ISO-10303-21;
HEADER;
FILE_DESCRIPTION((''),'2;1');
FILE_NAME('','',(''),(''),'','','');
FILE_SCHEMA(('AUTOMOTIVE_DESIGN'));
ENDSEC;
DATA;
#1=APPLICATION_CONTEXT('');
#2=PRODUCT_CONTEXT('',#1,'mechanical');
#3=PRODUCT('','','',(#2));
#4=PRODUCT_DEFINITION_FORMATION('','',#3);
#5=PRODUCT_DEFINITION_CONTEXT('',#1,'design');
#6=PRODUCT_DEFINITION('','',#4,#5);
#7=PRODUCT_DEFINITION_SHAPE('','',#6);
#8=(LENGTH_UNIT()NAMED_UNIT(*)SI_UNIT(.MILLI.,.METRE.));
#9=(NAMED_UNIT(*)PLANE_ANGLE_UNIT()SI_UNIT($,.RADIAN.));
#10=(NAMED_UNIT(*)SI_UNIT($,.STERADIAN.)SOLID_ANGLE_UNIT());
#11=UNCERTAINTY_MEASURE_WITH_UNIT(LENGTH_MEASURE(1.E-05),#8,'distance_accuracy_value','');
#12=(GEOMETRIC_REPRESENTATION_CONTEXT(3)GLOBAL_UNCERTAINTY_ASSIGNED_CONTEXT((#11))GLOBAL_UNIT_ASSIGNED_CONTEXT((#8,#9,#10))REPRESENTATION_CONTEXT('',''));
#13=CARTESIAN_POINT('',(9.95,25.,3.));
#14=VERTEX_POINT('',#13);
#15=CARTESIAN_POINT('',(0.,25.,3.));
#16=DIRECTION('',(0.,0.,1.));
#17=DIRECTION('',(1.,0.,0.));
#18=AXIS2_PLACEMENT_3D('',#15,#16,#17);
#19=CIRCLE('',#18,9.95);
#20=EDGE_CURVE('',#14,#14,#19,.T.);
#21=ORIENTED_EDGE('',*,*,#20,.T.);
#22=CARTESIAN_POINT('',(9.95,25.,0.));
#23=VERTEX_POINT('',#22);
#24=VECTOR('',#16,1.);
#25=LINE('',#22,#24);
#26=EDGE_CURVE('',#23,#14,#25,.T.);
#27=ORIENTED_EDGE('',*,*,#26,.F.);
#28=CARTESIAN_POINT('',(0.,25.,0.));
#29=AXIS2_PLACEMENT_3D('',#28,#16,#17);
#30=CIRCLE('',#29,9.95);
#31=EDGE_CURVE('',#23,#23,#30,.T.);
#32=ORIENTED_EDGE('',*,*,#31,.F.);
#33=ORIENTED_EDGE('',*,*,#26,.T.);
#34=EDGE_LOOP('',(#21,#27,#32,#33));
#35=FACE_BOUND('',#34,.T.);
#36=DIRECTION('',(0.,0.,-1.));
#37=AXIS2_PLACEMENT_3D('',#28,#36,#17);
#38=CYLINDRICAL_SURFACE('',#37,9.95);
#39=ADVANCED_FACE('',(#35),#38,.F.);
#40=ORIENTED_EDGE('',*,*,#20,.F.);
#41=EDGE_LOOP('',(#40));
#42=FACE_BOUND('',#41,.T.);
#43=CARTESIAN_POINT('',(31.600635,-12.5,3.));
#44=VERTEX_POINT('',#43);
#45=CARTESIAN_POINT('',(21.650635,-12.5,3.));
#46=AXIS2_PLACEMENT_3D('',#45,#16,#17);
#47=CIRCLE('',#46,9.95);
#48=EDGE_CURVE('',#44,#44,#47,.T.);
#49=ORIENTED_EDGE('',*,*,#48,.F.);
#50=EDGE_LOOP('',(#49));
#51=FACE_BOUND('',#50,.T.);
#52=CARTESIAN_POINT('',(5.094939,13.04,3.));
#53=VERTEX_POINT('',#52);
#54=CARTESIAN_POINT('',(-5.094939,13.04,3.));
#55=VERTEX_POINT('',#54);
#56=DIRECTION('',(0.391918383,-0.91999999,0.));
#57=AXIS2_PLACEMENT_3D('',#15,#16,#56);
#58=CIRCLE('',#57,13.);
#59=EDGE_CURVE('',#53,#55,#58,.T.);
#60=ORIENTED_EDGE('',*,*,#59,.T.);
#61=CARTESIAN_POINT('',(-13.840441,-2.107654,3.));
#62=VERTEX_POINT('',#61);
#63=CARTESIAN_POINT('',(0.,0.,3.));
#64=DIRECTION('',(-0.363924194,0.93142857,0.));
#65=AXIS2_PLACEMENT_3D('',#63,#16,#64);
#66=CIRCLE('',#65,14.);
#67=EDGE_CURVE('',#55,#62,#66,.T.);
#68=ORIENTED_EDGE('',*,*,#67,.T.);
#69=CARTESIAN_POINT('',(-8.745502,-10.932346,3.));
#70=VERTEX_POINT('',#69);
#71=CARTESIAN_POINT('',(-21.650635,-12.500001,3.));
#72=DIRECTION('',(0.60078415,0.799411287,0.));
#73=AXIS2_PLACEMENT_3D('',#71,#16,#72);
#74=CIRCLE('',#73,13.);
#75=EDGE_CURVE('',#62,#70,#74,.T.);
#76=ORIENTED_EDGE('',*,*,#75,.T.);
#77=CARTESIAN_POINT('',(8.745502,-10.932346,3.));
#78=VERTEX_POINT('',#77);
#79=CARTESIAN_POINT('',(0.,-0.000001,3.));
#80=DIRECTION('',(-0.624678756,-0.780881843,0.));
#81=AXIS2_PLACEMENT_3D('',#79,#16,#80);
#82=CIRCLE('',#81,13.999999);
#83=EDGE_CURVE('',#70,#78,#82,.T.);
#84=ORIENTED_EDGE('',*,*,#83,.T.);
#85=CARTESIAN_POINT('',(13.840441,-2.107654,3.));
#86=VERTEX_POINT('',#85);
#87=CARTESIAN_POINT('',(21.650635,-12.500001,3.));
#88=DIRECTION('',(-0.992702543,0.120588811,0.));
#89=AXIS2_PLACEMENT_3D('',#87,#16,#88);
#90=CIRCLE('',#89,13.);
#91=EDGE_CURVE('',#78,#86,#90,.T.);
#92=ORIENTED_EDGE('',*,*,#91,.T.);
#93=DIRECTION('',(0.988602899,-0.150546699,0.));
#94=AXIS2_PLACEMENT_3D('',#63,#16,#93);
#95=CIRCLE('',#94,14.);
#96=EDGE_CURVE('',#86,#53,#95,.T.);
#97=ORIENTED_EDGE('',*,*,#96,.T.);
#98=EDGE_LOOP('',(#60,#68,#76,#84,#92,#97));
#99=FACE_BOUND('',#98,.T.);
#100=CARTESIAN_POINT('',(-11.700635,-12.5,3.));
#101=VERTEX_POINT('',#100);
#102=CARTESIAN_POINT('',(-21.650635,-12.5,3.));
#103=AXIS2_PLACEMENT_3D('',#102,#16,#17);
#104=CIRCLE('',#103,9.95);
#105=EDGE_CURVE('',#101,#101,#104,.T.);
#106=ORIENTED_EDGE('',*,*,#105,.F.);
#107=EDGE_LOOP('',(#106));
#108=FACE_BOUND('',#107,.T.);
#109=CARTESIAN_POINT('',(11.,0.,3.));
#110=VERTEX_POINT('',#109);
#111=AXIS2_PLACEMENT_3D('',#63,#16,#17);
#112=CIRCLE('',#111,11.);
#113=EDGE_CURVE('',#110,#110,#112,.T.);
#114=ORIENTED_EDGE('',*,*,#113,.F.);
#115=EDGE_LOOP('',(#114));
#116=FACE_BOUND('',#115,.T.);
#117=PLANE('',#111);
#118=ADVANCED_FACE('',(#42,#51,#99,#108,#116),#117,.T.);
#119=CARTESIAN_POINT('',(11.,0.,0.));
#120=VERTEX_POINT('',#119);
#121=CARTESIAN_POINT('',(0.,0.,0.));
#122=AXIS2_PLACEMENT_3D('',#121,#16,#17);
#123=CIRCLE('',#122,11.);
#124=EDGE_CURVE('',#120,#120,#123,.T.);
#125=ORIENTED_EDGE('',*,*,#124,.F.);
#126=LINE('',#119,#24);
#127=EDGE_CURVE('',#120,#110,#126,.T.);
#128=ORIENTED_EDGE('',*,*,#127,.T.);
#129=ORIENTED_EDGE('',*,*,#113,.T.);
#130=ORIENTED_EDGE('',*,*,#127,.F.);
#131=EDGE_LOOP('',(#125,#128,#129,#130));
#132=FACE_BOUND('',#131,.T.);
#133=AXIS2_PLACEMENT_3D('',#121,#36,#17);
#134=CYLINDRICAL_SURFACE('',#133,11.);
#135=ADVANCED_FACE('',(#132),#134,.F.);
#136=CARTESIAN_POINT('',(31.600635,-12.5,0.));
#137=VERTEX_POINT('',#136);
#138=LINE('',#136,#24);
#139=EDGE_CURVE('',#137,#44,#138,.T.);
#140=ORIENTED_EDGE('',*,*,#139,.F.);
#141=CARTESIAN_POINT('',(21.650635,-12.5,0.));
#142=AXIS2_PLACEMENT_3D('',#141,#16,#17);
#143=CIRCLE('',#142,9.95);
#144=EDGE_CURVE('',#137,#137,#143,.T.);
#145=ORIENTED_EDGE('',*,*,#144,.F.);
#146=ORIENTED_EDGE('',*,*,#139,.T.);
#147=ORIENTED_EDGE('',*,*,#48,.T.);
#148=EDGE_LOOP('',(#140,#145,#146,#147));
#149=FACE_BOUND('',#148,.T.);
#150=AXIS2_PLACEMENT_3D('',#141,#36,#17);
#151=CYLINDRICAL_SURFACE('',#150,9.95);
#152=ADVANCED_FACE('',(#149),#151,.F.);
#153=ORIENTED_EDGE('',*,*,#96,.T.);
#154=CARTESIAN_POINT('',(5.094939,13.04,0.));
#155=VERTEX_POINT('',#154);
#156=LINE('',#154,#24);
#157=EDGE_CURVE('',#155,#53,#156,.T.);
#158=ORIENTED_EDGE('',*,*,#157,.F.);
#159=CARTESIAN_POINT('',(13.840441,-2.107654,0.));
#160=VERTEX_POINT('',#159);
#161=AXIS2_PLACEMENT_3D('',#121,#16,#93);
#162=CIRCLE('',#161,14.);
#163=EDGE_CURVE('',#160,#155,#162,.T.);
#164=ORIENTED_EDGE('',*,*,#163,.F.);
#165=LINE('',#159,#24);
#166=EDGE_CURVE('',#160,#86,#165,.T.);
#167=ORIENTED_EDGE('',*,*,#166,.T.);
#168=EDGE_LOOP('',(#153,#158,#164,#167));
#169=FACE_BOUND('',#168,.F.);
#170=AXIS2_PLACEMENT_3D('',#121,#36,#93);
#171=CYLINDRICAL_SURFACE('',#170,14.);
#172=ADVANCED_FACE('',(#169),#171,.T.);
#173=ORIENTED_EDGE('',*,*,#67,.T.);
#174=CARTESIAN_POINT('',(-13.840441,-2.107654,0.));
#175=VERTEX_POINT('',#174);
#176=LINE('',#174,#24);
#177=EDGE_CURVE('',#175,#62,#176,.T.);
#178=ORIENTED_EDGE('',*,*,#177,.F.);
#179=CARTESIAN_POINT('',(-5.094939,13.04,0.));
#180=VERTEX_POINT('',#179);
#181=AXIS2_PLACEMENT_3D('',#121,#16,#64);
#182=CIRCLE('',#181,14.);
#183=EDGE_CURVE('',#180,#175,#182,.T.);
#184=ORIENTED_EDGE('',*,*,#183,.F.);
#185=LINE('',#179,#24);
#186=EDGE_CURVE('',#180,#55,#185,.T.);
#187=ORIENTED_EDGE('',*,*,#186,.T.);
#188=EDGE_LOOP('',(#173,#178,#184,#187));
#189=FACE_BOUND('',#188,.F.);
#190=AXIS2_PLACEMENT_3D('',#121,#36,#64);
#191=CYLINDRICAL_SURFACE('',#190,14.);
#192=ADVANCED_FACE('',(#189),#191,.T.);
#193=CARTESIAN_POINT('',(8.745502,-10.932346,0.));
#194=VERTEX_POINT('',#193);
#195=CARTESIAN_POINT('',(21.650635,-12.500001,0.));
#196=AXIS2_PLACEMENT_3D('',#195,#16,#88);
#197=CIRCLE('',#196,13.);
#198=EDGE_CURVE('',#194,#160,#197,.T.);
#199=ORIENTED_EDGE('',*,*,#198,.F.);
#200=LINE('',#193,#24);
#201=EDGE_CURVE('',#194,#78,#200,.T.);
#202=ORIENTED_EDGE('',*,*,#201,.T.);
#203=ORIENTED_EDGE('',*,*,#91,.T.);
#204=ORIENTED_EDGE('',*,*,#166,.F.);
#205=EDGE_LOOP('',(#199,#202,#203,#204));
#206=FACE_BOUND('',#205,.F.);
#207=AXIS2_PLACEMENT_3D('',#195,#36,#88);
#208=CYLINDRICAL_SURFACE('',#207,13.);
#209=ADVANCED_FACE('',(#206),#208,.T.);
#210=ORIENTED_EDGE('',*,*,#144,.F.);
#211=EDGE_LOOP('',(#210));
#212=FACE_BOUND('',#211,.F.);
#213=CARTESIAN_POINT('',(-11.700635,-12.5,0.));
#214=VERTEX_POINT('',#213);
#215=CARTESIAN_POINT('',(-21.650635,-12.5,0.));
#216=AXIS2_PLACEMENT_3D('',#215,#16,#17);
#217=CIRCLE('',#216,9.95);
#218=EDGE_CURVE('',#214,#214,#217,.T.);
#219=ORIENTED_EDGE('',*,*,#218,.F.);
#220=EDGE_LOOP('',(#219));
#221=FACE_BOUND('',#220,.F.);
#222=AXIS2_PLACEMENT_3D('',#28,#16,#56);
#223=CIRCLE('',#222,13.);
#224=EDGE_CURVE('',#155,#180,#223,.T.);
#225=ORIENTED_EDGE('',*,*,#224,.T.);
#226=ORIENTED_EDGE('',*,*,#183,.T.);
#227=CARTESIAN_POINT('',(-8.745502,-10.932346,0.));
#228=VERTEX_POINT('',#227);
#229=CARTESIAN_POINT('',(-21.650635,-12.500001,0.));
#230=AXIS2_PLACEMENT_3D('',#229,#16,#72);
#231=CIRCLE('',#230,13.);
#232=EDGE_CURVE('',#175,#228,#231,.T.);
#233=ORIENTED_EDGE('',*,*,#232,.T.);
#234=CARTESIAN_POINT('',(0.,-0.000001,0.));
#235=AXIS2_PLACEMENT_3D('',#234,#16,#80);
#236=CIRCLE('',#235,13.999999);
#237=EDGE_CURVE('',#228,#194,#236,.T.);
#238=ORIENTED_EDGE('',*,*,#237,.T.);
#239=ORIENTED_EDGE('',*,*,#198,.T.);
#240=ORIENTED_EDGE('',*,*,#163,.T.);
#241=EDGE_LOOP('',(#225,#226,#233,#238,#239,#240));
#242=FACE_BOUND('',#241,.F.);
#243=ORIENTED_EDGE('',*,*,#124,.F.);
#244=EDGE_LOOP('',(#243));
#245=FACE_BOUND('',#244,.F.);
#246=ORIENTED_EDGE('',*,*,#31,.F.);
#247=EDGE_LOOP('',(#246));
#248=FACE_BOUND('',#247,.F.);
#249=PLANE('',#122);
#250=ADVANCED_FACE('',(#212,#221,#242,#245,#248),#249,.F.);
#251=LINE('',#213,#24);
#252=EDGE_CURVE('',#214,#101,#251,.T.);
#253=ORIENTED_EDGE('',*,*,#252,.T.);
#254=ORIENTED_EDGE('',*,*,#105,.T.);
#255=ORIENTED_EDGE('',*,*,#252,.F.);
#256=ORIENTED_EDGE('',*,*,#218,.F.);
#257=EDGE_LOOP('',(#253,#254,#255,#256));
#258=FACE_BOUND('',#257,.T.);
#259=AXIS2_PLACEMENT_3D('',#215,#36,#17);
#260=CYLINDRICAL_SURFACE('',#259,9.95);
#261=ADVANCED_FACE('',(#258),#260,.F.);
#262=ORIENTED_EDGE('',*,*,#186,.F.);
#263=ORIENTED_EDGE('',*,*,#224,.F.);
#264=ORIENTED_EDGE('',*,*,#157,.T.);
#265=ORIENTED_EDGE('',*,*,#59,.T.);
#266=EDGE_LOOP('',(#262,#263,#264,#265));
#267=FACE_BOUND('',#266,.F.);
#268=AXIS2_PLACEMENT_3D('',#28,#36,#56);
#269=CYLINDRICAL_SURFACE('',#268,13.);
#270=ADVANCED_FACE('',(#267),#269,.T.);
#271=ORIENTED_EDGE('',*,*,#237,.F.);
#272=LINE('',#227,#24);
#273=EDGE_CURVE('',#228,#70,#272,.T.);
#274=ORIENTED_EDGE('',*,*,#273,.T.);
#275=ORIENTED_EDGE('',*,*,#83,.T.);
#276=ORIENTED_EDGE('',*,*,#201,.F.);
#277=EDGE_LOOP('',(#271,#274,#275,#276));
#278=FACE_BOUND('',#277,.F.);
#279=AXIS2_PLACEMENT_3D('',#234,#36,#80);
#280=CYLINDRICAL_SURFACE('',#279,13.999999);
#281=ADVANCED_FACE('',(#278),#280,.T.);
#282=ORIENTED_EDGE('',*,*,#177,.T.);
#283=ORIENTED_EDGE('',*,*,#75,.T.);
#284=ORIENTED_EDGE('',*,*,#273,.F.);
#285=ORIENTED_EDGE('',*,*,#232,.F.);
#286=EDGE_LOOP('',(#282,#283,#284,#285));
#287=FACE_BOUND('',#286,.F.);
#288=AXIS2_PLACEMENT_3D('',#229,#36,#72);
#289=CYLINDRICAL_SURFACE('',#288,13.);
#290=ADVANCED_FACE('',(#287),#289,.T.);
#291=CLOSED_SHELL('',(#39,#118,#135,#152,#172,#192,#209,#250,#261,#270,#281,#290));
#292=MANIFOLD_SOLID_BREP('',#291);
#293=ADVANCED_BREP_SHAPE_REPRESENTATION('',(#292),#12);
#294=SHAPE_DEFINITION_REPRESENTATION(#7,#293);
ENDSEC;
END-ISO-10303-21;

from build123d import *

# Parameters (mm, degrees)
F0_R     = 9.95
F0_R_2   = 11
F1_DEPTH = 3


with BuildPart() as f1:
    # F0 (on Top) → F1 (new body)
    with BuildSketch(Plane.XY):
        with BuildLine():
            ThreePointArc((5.094939, 13.04), (0, 38), (-5.094939, 13.04))
            ThreePointArc((-5.094939, 13.04), (-12.124356, 7), (-13.840441, -2.107654))
            ThreePointArc((-13.840441, -2.107654), (-32.908965, -19), (-8.745502, -10.932346))
            ThreePointArc((-8.745502, -10.932346), (0, -14), (8.745502, -10.932346))
            ThreePointArc((8.745502, -10.932346), (32.908965, -19), (13.840441, -2.107654))
            ThreePointArc((13.840441, -2.107654), (12.124356, 7), (5.094939, 13.04))
        make_face()
        with Locations((-21.650635, -12.5)):
            Circle(F0_R, mode=Mode.SUBTRACT)
        with Locations((21.650635, -12.5)):
            Circle(F0_R, mode=Mode.SUBTRACT)
        Circle(F0_R_2, mode=Mode.SUBTRACT)
        with Locations((0, 25)):
            Circle(F0_R, mode=Mode.SUBTRACT)
    extrude(amount=F1_DEPTH)


solid = f1.part
